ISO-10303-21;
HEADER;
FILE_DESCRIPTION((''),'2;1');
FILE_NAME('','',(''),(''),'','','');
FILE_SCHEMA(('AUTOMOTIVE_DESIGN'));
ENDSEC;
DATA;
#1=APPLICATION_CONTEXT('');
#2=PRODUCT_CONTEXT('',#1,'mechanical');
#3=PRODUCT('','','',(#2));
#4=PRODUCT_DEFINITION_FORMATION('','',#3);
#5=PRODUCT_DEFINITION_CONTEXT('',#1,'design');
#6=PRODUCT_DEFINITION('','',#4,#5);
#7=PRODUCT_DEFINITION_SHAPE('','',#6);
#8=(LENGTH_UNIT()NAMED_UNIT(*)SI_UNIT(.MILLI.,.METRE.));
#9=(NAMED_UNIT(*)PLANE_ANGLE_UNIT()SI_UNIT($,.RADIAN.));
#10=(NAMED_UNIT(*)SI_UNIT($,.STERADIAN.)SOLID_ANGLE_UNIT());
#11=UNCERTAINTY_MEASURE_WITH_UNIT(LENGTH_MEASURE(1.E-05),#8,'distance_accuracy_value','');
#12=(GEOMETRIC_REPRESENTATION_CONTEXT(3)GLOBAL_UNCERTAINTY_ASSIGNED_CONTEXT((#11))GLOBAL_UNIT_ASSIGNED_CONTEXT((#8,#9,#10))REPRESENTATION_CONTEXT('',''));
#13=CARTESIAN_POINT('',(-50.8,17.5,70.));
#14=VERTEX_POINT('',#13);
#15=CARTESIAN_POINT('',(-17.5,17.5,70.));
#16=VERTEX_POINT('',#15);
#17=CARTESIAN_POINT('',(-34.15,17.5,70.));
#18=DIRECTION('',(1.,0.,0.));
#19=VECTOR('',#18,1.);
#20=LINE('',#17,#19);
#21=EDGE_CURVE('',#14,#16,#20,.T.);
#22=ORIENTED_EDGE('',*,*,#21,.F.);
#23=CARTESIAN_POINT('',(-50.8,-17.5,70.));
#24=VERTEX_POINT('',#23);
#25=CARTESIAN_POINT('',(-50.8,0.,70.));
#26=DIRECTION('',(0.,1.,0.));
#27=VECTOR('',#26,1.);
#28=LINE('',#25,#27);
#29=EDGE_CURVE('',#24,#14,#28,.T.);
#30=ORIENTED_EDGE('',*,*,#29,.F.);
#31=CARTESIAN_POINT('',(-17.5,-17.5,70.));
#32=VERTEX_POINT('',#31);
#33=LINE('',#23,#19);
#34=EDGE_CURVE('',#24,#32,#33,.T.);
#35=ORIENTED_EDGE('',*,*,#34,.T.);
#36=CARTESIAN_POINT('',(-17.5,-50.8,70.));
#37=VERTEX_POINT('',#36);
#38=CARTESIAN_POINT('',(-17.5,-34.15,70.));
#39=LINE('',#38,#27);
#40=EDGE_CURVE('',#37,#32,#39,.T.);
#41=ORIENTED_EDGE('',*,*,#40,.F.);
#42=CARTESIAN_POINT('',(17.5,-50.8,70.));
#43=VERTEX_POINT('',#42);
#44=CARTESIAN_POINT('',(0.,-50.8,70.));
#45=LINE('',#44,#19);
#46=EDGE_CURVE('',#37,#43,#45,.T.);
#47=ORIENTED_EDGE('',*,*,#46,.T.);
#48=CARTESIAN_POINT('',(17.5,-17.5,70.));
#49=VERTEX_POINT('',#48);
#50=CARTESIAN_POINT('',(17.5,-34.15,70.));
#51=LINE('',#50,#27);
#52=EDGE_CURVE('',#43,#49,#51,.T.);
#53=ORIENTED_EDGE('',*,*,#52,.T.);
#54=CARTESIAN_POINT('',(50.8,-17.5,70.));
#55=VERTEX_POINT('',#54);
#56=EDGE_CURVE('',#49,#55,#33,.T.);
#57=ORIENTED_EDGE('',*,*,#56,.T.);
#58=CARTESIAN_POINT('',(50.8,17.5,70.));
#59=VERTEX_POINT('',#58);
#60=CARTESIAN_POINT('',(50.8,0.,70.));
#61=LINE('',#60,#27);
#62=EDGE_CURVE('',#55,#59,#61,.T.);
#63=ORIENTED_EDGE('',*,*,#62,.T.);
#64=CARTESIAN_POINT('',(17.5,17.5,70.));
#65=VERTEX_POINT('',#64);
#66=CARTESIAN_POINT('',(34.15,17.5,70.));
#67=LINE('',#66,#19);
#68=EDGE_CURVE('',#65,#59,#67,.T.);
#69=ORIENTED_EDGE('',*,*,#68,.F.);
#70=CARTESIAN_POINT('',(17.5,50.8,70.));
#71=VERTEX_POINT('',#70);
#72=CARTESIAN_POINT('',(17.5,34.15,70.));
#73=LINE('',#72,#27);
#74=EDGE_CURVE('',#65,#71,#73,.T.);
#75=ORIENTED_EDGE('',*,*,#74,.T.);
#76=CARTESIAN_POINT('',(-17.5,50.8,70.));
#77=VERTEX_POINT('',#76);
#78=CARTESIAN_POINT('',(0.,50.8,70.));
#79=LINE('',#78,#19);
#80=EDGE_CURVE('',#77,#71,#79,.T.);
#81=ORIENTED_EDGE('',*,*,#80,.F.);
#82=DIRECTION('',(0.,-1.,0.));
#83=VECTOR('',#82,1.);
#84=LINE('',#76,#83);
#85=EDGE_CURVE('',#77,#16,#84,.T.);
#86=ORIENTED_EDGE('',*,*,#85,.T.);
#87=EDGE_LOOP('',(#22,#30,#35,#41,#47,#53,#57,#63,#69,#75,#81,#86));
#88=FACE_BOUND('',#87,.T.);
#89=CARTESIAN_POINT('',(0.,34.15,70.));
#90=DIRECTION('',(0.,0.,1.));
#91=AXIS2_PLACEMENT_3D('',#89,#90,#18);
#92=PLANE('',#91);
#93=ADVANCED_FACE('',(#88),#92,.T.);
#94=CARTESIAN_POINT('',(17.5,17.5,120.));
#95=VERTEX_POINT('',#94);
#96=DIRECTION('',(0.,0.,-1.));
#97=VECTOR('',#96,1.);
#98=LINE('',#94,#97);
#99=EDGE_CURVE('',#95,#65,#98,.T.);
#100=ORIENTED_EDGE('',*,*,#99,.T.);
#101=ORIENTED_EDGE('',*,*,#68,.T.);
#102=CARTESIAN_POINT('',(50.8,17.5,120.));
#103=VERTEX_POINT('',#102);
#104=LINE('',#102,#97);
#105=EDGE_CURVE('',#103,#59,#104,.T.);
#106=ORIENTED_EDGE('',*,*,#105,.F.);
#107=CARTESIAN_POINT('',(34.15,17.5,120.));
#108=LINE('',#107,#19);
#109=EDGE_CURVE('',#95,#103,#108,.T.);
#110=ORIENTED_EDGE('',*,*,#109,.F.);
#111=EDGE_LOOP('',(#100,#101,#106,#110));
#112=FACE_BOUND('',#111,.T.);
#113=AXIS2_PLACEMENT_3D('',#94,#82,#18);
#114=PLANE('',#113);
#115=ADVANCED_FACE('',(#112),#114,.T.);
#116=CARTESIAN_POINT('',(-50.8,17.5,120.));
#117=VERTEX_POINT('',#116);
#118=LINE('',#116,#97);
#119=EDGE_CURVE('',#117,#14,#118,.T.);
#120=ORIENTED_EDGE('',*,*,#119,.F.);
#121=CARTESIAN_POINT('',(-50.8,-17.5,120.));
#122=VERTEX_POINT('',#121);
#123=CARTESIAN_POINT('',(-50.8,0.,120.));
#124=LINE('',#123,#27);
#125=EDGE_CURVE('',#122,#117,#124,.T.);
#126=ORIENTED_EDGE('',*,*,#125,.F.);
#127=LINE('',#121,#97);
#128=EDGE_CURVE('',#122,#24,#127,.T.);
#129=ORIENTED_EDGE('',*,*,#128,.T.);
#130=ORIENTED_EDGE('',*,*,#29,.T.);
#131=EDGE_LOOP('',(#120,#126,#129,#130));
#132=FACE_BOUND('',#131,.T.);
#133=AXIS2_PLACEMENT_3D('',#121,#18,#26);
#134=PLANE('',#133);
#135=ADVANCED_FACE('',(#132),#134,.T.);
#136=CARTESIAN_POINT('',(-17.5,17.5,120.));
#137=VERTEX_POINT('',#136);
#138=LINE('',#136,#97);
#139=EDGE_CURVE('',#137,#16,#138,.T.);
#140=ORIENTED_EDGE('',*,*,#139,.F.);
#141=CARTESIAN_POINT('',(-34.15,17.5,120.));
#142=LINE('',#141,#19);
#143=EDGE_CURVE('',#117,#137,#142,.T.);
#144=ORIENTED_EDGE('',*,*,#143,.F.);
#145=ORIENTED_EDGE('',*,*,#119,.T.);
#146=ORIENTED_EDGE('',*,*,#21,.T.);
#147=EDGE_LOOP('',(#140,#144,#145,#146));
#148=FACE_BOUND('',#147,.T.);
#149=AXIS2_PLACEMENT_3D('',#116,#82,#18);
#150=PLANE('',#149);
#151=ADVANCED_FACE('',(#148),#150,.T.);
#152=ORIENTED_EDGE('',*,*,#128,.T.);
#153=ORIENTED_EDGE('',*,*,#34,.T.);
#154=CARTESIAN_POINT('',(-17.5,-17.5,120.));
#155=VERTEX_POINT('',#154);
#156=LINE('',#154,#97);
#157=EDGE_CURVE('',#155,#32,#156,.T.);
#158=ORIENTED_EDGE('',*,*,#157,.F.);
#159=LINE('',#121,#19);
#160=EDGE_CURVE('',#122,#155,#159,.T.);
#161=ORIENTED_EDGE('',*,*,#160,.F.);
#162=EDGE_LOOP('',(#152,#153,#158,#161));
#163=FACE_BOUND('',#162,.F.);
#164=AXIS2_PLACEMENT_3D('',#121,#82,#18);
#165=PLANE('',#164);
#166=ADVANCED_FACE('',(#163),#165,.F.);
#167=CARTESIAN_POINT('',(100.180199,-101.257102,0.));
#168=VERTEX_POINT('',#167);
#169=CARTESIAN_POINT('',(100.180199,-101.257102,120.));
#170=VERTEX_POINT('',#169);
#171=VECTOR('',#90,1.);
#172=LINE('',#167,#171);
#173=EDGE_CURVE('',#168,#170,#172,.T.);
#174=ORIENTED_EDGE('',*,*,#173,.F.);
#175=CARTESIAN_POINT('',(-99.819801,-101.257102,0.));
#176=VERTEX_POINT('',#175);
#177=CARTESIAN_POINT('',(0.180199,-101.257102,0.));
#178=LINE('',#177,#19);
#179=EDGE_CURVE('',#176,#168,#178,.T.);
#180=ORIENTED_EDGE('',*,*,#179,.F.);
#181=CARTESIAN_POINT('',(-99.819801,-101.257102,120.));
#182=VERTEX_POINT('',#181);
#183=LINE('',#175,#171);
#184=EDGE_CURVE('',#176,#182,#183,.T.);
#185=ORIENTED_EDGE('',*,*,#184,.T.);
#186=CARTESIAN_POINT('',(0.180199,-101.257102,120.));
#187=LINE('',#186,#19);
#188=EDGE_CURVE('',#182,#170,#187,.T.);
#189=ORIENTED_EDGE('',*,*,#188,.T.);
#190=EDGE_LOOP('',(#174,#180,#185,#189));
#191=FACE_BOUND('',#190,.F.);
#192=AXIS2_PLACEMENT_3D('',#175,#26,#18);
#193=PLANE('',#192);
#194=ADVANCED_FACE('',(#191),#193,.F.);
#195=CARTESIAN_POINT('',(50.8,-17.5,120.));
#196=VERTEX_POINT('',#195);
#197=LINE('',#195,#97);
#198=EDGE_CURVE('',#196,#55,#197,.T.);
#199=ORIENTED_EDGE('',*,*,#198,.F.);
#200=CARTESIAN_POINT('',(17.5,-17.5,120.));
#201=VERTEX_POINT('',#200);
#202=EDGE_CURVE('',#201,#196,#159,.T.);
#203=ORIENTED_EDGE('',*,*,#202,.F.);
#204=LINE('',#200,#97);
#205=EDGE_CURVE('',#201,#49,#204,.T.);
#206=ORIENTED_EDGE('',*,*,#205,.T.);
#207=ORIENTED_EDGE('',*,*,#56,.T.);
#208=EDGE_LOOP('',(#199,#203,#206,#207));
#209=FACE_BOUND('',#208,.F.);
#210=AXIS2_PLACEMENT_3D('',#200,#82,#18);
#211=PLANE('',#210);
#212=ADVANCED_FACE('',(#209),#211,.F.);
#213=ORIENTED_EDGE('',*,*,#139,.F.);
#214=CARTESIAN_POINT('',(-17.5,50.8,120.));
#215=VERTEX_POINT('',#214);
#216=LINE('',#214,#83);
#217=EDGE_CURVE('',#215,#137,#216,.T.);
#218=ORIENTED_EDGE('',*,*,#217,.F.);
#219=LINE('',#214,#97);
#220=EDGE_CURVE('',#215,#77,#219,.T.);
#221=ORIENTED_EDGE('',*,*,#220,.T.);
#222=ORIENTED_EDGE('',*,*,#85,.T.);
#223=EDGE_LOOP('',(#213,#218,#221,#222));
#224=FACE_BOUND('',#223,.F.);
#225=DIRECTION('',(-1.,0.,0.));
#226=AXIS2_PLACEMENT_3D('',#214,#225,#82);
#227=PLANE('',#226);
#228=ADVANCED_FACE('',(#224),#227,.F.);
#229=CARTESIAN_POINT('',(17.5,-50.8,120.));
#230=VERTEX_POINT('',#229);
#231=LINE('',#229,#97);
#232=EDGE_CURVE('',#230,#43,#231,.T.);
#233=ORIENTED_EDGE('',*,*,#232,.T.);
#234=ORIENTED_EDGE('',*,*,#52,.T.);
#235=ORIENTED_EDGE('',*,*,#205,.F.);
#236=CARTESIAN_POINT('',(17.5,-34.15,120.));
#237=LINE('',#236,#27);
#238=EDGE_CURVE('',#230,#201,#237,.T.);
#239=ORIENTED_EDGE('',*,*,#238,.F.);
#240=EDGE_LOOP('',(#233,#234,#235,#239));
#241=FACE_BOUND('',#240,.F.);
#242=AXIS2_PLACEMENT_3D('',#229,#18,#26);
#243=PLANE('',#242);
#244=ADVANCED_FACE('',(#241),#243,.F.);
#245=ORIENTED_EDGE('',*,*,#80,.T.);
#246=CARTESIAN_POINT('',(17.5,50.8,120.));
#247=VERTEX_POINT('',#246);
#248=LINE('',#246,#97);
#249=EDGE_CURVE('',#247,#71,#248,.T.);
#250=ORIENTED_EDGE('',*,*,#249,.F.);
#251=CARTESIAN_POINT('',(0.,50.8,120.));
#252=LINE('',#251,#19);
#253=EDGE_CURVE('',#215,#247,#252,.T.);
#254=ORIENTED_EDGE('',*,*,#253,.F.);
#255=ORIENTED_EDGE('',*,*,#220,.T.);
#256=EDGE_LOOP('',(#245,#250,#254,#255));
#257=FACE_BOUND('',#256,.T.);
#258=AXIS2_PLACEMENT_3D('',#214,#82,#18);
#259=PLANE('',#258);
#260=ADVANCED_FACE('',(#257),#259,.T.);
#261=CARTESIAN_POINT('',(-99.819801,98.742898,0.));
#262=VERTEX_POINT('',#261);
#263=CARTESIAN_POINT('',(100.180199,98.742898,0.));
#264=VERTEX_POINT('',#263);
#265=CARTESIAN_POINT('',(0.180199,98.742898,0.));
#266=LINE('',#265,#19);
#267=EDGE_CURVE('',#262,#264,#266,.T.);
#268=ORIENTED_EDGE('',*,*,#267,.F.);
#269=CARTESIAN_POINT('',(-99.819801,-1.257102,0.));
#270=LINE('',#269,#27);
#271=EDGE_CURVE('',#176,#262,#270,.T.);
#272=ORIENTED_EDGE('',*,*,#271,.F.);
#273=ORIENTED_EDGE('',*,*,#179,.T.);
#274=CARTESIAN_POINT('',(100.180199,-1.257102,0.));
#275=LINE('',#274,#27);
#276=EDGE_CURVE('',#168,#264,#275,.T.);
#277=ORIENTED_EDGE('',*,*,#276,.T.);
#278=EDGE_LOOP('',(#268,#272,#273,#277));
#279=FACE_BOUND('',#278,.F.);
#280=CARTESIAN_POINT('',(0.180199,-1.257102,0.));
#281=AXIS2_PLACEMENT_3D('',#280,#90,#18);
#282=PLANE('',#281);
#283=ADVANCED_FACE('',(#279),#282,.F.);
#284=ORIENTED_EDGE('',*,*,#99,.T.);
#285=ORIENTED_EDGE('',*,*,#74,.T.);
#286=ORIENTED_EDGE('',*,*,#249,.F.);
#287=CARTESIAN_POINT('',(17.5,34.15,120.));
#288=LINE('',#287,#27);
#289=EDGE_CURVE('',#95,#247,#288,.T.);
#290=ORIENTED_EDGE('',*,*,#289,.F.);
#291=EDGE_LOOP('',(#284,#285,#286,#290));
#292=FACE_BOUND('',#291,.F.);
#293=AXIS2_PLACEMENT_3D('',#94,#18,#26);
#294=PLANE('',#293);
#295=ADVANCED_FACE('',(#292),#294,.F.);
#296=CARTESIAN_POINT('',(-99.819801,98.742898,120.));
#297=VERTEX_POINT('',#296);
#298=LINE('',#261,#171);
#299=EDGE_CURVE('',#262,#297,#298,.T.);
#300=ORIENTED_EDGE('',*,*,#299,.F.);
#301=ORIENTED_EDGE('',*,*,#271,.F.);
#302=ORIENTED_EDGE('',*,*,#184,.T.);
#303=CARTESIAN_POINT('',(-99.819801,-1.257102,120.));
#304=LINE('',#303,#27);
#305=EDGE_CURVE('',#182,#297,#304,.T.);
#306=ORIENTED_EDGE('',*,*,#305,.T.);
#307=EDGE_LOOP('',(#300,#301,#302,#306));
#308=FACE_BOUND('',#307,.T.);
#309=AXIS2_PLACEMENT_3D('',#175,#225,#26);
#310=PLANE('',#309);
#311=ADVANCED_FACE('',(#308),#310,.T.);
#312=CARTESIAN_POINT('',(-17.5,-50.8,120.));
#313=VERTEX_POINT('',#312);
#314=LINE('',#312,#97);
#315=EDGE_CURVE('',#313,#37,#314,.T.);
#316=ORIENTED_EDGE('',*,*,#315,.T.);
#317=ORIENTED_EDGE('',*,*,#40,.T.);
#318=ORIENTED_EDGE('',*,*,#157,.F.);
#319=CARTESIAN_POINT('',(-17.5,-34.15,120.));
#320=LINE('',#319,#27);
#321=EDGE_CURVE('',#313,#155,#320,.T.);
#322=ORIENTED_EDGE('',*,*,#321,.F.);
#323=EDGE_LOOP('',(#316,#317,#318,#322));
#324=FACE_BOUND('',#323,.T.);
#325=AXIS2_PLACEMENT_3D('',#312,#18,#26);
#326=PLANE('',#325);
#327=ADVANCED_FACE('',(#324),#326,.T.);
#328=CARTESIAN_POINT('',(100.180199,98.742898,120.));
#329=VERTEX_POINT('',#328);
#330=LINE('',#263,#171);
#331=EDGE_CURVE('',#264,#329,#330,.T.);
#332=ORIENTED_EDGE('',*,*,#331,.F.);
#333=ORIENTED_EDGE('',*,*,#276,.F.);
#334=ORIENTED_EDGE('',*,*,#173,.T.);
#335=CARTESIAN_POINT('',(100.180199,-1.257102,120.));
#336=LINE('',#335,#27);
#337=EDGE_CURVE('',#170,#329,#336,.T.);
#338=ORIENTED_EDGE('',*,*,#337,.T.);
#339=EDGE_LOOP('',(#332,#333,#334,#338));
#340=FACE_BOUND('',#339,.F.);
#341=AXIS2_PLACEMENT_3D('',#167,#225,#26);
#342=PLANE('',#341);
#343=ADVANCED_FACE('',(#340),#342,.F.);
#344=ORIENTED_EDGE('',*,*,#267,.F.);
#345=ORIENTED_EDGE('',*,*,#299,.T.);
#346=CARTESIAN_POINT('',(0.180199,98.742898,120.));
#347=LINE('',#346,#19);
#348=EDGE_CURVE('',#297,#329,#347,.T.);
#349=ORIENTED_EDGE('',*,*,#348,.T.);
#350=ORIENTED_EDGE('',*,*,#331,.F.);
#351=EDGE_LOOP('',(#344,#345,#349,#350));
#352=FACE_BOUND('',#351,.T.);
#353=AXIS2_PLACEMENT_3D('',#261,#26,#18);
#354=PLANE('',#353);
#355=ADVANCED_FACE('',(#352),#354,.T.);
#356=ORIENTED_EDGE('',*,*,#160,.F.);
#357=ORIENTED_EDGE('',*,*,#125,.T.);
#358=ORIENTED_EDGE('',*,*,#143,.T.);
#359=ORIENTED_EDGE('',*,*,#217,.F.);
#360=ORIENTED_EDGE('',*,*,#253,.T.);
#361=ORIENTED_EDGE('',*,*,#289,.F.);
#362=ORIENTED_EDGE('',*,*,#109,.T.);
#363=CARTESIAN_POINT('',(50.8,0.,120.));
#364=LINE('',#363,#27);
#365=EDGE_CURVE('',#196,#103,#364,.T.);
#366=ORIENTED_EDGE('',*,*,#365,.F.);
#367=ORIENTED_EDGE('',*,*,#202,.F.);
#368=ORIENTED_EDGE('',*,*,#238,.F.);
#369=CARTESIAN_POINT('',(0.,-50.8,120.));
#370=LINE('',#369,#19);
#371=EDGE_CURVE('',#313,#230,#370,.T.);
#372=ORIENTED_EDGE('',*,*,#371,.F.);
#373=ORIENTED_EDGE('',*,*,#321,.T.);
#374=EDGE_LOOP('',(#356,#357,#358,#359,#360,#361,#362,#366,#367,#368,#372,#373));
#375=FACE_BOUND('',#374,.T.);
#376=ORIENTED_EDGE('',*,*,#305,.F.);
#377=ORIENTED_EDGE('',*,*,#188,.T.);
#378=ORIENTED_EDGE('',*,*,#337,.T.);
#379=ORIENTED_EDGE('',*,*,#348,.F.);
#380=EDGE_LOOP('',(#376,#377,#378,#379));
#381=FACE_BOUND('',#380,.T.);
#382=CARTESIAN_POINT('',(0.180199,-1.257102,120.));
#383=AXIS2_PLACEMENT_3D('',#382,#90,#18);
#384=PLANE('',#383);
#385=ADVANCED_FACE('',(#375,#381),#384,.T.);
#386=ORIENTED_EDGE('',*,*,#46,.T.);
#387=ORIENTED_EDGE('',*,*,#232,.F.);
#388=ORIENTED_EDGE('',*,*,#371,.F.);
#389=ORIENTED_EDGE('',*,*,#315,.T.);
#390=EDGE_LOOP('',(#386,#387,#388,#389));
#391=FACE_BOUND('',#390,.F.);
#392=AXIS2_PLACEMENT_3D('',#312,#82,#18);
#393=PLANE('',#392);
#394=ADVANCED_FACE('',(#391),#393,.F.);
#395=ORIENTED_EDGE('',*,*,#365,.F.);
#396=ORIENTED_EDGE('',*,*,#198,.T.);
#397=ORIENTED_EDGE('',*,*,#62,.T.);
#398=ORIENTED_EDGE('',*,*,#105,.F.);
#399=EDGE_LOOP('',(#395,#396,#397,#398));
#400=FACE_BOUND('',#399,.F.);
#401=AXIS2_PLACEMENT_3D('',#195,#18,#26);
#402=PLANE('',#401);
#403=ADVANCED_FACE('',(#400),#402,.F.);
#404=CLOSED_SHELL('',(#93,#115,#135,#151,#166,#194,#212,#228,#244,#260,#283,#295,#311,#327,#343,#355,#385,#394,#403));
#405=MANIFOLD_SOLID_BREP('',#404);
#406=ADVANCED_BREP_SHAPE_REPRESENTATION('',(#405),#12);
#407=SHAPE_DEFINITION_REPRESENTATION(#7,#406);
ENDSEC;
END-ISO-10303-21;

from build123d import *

# Parameters (mm, degrees)
F0_W     = 200
F0_H     = 200
F1_DEPTH = 120
F2_W     = 35
F2_H     = 33.3
F2_W_2   = 33.3
F2_H_2   = 35
F3_DEPTH = 50


with BuildPart() as f1:
    # F0 (on Top) → F1 (new body)
    with BuildSketch(Plane.XY):
        with Locations((0.1801989079, -1.2571020722)):
            Rectangle(F0_W, F0_H)
    extrude(amount=F1_DEPTH)

    # F2 (on face) → F3 (cut)
    with BuildSketch(Plane.XY.offset(120)):
        with Locations((0, 34.15)):
            Rectangle(F2_W, F2_H)
        with Locations((34.15, 0)):
            Rectangle(F2_W_2, F2_H_2)
        Rectangle(F2_W, F2_H_2)
        with Locations((-34.15, 0)):
            Rectangle(F2_W_2, F2_H_2)
        with Locations((0, -34.15)):
            Rectangle(F2_W, F2_H)
    extrude(amount=-F3_DEPTH, mode=Mode.SUBTRACT)


solid = f1.part
